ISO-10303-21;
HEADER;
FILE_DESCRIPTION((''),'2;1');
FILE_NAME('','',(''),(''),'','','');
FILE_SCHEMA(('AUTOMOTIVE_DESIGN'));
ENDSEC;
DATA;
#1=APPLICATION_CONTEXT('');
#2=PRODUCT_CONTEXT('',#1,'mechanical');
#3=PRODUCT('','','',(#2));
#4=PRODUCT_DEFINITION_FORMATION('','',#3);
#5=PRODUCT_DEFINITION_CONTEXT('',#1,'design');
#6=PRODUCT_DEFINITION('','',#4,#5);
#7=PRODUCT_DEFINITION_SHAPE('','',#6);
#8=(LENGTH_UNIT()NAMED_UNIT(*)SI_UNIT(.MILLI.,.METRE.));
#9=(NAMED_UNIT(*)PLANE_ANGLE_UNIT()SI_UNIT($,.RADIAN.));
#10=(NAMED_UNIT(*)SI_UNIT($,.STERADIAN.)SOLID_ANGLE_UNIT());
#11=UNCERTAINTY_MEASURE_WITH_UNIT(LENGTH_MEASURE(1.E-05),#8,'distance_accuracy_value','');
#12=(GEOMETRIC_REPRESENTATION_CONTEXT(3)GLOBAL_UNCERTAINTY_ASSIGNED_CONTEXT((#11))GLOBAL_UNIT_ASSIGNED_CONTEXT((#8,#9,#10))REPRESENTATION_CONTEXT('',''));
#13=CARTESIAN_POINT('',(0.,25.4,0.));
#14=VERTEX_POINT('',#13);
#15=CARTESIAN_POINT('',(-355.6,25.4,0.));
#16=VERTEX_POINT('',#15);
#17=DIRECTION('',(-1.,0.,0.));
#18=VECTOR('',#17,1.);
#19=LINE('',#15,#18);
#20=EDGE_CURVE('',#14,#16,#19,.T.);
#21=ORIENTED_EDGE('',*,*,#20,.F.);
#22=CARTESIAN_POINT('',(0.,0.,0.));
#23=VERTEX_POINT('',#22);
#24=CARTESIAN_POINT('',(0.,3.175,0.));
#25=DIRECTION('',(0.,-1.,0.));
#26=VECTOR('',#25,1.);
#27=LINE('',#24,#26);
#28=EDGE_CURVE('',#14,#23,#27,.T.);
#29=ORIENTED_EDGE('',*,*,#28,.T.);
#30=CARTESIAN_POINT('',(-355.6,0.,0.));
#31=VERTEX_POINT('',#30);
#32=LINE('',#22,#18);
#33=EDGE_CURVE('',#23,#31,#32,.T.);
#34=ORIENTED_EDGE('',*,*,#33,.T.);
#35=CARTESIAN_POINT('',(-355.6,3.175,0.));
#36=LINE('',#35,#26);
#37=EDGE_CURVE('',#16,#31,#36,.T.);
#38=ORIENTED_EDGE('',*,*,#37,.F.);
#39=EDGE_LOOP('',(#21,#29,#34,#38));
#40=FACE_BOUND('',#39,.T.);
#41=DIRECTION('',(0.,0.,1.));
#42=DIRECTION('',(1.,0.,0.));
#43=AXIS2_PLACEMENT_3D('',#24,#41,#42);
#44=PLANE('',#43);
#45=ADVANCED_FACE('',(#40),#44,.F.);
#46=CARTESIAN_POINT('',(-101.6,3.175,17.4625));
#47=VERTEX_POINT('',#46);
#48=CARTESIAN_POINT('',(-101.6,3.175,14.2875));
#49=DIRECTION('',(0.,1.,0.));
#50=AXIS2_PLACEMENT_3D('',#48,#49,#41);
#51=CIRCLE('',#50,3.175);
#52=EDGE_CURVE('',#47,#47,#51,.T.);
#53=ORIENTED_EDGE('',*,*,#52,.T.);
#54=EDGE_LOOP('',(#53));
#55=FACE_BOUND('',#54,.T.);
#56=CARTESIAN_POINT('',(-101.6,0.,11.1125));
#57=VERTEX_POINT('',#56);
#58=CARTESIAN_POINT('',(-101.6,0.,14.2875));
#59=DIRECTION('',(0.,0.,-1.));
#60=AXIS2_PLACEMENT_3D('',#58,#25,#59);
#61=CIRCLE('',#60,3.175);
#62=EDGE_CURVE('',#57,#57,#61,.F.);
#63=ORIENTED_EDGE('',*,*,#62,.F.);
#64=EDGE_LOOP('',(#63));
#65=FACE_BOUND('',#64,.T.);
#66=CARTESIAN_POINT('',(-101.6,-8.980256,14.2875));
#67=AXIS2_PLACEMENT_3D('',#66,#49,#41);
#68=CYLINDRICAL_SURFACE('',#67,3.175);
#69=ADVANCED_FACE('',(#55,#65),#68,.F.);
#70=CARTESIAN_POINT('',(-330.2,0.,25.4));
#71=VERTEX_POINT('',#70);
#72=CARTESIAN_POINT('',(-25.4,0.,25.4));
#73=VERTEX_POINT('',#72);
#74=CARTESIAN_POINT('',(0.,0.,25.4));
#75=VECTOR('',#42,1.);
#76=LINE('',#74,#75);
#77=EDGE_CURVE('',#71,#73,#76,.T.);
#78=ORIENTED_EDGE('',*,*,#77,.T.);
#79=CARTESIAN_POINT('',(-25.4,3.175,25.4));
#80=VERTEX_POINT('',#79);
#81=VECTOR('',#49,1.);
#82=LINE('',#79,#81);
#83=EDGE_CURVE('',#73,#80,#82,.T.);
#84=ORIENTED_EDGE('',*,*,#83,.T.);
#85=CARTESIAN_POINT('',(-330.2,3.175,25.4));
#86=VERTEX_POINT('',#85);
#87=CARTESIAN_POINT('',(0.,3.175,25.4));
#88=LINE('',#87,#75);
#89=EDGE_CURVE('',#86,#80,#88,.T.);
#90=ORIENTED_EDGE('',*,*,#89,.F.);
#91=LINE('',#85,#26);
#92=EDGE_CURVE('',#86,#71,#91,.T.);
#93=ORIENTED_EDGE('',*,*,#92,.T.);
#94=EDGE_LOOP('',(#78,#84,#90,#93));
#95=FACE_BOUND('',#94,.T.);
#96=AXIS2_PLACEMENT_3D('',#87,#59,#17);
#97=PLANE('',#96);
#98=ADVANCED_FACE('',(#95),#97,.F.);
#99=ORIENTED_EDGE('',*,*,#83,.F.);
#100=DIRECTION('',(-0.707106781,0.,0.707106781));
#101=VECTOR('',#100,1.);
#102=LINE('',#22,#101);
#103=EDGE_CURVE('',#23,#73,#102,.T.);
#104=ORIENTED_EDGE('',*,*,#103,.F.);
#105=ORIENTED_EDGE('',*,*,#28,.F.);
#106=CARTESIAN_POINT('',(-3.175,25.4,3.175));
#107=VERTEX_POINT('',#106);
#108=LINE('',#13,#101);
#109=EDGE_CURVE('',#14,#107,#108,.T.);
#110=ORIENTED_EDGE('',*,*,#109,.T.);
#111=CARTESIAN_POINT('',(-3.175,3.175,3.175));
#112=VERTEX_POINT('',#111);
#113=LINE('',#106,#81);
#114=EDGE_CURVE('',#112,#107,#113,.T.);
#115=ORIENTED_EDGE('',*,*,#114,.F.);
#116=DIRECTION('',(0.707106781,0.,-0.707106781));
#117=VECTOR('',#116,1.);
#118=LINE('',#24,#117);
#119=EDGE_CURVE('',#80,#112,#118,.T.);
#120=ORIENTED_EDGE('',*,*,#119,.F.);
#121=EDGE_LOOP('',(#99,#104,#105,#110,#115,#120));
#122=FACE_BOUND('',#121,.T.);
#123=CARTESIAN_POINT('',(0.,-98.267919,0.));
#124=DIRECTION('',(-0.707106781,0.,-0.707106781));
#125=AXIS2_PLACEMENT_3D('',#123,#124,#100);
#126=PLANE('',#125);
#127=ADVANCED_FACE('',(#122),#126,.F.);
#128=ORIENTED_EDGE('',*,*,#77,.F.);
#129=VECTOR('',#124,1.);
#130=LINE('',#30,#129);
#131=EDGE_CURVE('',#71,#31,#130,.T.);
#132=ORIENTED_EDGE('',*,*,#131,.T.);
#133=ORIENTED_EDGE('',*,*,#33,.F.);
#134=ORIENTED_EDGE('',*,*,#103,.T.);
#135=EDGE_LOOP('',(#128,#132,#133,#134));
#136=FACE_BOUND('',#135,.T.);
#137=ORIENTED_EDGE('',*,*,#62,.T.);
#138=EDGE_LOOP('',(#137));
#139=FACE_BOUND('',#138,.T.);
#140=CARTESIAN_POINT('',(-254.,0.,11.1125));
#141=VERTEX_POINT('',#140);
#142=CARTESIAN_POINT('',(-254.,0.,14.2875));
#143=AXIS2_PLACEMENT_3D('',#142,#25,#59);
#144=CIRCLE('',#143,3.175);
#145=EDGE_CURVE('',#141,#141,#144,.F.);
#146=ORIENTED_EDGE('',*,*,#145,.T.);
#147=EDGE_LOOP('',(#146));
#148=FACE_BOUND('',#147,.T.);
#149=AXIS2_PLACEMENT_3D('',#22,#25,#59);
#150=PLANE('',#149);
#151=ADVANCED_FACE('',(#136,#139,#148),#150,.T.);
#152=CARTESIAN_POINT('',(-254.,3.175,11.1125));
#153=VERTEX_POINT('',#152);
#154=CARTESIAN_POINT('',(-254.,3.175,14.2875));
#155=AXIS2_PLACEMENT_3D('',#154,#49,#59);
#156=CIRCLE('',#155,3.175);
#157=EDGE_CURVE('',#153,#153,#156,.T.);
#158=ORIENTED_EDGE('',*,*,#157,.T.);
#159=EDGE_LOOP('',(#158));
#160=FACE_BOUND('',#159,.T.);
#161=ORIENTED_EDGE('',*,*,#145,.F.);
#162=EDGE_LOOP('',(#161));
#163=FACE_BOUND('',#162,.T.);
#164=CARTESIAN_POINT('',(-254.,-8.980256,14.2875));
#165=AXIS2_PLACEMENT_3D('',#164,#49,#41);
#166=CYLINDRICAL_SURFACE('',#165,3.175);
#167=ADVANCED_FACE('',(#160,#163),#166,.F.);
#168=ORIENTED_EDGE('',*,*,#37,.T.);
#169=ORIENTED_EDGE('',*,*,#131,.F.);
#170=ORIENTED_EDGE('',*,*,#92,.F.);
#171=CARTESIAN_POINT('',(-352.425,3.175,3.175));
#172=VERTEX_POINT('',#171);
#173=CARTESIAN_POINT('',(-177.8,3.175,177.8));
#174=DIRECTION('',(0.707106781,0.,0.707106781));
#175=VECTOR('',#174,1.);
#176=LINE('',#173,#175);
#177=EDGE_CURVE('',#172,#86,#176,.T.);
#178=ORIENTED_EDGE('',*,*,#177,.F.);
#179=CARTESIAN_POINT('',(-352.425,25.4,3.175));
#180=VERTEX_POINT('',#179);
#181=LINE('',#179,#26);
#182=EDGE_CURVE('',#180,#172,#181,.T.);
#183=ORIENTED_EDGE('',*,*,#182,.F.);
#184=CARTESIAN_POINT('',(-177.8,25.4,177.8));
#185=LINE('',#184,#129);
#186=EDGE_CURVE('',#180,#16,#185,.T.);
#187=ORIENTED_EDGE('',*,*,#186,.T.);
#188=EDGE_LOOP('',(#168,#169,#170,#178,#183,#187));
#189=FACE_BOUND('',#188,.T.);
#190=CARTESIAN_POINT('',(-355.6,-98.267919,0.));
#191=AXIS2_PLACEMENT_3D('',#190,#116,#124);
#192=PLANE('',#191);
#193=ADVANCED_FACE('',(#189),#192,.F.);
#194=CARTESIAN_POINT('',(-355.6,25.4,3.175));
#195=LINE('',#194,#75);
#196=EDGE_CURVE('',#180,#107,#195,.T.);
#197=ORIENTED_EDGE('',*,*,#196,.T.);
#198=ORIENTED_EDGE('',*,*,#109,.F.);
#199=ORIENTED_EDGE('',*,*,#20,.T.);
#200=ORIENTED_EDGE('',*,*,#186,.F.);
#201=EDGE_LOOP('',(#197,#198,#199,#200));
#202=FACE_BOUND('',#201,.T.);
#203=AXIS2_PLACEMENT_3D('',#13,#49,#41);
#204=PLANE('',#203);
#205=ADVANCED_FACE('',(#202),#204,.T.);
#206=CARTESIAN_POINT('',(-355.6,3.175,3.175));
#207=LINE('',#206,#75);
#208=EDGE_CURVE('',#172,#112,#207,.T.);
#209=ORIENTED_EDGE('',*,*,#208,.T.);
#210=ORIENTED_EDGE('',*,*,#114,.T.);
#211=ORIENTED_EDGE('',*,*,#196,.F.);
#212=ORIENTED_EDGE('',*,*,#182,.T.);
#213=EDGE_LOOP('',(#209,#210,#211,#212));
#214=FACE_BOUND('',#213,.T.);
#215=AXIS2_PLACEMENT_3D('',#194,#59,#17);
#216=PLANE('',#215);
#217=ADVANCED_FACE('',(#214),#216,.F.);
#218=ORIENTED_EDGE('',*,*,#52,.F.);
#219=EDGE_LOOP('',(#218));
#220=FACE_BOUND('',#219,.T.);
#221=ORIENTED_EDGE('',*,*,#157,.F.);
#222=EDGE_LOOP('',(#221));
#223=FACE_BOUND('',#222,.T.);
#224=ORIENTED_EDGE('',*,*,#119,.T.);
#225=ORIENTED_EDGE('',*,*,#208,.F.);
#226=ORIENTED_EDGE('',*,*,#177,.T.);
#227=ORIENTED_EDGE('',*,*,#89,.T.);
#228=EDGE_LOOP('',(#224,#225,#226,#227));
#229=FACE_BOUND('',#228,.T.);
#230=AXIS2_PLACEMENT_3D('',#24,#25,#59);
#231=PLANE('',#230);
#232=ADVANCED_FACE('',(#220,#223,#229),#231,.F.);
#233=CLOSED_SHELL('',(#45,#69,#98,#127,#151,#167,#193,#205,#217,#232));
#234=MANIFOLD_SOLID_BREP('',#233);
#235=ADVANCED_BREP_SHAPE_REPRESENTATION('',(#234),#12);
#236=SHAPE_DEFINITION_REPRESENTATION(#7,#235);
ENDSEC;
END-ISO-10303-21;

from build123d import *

# Parameters (mm, degrees)
SKETCH2_W           = 355.6
SKETCH2_H           = 25.4
BOSS_EXTRUDE1_DEPTH = 3.175
SKETCH3_W           = 355.6
SKETCH3_H           = 3.175
BOSS_EXTRUDE2_DEPTH = 22.225
CUT_EXTRUDE3_DEPTH  = 25.4
SKETCH7_R           = 3.175
CUT_EXTRUDE4_DEPTH  = 3.175


with BuildPart() as part:
    # Sketch2 → Boss-Extrude1 (new body)
    with BuildSketch(Plane(origin=(0, 0, 0), x_dir=(1, 0, 0), z_dir=(0, 1, 0))):
        with Locations((-177.8, -12.7)):
            Rectangle(SKETCH2_W, SKETCH2_H)
    extrude(amount=BOSS_EXTRUDE1_DEPTH)

    # Sketch3 → Boss-Extrude2 (add)
    with BuildSketch(Plane(origin=(0, 3.175, 0), x_dir=(1, 0, 0), z_dir=(0, 1, 0))):
        with Locations((-177.8, -1.5875)):
            Rectangle(SKETCH3_W, SKETCH3_H)
    extrude(amount=BOSS_EXTRUDE2_DEPTH)

    # Sketch6 → Cut-Extrude3 (cut)
    with BuildSketch(Plane(origin=(0, 25.4, 0), x_dir=(1, 0, 0), z_dir=(0, 1, 0))):
        Polygon((-355.6, 0), (-314.465679006, -41.134320994), (-387.836085875, -49.332490233), align=None)
        Polygon((0, 0), (-41.658764664, -41.658764664), (40.75579897, -53.520309566), align=None)
    extrude(amount=-CUT_EXTRUDE3_DEPTH, mode=Mode.SUBTRACT)

    # Sketch7 → Cut-Extrude4 (cut)
    with BuildSketch(Plane(origin=(0, 3.175, 0), x_dir=(1, 0, 0), z_dir=(0, 1, 0))):
        with Locations((-101.6, -14.2875)):
            Circle(SKETCH7_R)
        with Locations((-254, -14.2875)):
            Circle(SKETCH7_R)
    extrude(amount=-CUT_EXTRUDE4_DEPTH, mode=Mode.SUBTRACT)


solid = part.part
